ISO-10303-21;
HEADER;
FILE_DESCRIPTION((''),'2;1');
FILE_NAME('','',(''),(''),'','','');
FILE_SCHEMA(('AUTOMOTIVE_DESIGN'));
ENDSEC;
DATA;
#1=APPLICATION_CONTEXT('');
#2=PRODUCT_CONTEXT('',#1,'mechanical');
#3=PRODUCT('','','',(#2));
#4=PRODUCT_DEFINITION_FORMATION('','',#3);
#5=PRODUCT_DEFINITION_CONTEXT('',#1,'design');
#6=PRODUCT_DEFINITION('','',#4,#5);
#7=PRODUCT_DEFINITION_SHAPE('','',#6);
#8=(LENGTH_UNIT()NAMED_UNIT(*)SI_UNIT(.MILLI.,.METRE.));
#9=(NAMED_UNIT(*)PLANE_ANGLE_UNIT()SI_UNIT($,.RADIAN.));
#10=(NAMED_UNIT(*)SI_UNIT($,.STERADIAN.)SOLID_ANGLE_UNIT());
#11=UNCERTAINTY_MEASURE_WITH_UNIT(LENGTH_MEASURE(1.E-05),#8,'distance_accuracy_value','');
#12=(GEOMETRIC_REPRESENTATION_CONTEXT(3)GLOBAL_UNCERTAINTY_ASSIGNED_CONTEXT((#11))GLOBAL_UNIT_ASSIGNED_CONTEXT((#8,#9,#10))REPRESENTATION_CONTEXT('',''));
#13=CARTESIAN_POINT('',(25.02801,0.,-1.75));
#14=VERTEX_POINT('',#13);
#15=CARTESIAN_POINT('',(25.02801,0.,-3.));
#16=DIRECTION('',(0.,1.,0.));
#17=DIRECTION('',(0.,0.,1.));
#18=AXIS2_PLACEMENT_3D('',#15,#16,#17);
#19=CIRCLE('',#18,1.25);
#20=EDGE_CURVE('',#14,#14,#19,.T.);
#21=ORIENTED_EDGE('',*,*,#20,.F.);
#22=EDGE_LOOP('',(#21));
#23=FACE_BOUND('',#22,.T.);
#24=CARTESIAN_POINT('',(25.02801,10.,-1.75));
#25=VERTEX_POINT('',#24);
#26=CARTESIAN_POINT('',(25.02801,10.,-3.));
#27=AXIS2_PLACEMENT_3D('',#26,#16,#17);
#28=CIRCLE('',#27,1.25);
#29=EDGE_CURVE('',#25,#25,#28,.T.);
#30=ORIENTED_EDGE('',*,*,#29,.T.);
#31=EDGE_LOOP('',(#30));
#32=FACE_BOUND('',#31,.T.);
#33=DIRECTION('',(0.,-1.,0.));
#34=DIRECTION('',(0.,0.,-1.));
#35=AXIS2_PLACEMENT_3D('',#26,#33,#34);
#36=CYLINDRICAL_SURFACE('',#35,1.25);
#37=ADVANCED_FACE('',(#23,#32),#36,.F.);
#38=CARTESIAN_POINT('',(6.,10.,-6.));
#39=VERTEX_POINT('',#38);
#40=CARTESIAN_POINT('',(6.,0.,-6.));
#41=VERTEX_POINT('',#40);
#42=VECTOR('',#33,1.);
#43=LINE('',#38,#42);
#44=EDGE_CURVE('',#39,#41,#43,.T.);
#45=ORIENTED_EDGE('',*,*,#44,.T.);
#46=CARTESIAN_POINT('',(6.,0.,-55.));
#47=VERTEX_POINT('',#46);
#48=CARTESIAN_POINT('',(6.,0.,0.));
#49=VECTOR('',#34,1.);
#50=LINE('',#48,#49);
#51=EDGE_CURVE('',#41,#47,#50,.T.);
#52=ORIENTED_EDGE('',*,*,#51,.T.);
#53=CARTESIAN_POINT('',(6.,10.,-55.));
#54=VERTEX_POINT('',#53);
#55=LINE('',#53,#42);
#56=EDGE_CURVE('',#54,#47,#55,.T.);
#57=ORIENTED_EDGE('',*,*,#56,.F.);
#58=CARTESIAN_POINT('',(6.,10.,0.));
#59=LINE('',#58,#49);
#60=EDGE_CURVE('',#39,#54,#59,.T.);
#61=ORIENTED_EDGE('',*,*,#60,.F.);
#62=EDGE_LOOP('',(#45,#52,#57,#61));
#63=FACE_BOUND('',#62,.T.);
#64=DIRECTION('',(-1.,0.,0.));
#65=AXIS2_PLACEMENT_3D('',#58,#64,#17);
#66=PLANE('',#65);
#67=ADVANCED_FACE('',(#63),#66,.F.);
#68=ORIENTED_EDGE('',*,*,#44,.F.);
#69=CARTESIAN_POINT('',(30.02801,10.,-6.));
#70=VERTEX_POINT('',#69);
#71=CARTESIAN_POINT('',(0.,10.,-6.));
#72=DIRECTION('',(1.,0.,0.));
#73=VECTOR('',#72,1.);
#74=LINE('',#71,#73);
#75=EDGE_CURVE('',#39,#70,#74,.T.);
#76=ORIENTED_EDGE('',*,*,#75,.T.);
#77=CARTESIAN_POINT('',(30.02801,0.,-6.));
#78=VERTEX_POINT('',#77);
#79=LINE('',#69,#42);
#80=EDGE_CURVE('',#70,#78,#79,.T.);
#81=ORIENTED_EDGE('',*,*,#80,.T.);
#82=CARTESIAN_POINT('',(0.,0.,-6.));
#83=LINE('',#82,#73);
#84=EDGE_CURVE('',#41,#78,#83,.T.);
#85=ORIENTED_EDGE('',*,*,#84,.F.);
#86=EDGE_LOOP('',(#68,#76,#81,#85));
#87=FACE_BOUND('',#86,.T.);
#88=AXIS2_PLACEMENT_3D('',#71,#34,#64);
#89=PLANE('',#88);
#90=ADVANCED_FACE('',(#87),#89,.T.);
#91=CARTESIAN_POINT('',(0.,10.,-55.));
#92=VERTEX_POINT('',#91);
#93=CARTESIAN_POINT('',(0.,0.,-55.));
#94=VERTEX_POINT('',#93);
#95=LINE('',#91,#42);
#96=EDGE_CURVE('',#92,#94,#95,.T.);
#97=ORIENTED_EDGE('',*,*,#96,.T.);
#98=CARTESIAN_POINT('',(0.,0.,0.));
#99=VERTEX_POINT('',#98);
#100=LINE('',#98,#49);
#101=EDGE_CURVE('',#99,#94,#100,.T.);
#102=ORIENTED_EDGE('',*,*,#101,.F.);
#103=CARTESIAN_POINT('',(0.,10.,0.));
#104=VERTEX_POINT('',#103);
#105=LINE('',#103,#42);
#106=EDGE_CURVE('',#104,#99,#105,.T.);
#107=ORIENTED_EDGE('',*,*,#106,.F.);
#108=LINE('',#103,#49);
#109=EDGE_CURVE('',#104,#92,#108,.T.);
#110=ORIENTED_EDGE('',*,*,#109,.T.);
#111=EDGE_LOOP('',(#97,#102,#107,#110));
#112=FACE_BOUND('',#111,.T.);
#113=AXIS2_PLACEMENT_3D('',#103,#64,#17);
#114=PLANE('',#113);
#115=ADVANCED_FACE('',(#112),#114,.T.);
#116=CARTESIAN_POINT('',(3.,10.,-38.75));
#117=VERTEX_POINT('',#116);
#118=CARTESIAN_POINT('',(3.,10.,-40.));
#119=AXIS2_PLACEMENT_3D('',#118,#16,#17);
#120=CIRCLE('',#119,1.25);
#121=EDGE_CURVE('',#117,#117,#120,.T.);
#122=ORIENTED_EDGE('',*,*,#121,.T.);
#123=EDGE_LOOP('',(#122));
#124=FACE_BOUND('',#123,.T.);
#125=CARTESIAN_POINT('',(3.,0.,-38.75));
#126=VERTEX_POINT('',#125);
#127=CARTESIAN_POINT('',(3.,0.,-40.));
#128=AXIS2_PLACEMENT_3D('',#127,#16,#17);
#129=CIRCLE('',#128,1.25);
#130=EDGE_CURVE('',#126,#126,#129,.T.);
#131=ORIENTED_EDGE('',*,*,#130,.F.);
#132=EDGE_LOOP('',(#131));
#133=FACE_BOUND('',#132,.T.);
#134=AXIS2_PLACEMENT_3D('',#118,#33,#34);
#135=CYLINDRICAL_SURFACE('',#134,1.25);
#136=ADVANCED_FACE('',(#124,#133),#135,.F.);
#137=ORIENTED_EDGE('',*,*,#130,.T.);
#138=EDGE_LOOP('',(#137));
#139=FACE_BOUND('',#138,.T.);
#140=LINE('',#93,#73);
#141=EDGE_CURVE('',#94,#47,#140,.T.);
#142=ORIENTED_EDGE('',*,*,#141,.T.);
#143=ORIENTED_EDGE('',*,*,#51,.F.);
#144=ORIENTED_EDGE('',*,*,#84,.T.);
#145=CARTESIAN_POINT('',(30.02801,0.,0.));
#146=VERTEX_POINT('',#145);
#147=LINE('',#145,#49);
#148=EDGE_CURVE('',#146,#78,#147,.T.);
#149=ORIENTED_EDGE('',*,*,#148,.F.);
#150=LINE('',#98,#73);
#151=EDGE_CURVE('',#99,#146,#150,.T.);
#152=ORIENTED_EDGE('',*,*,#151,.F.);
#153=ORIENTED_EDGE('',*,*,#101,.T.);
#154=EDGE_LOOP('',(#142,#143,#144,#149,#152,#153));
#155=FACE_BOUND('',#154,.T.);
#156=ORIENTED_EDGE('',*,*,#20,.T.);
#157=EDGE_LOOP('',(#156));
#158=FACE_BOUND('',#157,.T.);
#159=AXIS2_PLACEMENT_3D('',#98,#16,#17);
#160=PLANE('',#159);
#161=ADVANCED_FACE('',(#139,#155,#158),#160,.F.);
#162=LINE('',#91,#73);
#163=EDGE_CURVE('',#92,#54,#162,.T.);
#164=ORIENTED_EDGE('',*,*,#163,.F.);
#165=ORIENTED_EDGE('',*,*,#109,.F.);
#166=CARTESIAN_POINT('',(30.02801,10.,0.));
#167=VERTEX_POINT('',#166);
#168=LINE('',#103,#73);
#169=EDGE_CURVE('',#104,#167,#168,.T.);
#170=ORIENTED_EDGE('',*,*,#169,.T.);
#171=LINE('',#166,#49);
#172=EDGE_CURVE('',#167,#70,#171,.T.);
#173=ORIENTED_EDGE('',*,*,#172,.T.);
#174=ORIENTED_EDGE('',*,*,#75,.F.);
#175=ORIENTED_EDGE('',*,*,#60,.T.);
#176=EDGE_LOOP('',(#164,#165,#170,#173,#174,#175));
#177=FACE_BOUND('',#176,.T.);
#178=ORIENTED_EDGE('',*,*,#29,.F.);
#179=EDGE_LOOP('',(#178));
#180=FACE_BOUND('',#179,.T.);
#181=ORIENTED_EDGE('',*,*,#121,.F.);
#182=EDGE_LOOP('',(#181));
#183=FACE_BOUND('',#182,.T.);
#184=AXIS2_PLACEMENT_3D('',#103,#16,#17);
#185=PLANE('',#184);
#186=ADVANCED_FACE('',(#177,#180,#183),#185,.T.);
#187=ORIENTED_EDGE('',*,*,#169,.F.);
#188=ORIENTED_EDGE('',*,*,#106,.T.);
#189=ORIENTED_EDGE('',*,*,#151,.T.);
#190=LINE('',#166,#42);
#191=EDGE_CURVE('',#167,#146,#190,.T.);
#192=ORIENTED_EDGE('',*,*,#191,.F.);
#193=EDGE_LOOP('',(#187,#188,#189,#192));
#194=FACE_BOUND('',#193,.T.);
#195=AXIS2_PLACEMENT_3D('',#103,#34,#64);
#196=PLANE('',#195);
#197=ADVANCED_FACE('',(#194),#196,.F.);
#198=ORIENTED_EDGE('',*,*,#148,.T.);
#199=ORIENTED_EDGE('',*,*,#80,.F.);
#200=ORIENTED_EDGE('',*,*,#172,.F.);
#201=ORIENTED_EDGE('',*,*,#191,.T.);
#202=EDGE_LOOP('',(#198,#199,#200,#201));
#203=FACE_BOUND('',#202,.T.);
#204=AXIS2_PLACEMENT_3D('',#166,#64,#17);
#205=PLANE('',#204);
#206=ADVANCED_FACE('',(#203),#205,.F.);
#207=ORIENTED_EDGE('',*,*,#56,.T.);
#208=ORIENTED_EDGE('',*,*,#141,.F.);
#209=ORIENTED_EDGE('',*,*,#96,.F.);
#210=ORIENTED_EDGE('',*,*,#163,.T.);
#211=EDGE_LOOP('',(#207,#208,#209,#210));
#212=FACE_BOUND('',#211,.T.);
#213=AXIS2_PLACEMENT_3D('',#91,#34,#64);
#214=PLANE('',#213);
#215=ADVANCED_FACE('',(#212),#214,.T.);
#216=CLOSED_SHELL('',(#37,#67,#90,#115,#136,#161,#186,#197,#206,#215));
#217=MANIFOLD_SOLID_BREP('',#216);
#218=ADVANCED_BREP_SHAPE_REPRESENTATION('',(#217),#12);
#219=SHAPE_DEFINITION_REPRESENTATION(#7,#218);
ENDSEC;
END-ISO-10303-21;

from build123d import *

# Parameters (mm, degrees)
SKETCH1_R           = 1.25
BOSS_EXTRUDE1_DEPTH = 10


with BuildPart() as part:
    # Sketch1 → Boss-Extrude1 (new body)
    # profile 1 of 2: a face of its own
    with BuildSketch(Plane(origin=(0, 0, 0), x_dir=(1, 0, 0), z_dir=(0, 1, 0))):
        Polygon((6, 55), (3, 55), (0, 55), (0, 0), (6, 0), (6, 6), align=None)
        with BuildLine():
            ThreePointArc((4.25, 40), (2.116116524, 39.116116524), (3, 41.25))
            ThreePointArc((3, 41.25), (3.883883476, 40.883883476), (4.25, 40))
        make_face(mode=Mode.SUBTRACT)
    # profile 2 of 2: a face of its own
    with BuildSketch(Plane(origin=(0, 0, 0), x_dir=(1, 0, 0), z_dir=(0, 1, 0))):
        Polygon((30.028010211, 6), (6, 6), (6, 0), (30.028010211, 0), (30.028010211, 3), align=None)
        with Locations(Location((25.028010211, 3, 0), (0, 0, 270))):
            Circle(SKETCH1_R, mode=Mode.SUBTRACT)
    extrude(amount=BOSS_EXTRUDE1_DEPTH)


solid = part.part
